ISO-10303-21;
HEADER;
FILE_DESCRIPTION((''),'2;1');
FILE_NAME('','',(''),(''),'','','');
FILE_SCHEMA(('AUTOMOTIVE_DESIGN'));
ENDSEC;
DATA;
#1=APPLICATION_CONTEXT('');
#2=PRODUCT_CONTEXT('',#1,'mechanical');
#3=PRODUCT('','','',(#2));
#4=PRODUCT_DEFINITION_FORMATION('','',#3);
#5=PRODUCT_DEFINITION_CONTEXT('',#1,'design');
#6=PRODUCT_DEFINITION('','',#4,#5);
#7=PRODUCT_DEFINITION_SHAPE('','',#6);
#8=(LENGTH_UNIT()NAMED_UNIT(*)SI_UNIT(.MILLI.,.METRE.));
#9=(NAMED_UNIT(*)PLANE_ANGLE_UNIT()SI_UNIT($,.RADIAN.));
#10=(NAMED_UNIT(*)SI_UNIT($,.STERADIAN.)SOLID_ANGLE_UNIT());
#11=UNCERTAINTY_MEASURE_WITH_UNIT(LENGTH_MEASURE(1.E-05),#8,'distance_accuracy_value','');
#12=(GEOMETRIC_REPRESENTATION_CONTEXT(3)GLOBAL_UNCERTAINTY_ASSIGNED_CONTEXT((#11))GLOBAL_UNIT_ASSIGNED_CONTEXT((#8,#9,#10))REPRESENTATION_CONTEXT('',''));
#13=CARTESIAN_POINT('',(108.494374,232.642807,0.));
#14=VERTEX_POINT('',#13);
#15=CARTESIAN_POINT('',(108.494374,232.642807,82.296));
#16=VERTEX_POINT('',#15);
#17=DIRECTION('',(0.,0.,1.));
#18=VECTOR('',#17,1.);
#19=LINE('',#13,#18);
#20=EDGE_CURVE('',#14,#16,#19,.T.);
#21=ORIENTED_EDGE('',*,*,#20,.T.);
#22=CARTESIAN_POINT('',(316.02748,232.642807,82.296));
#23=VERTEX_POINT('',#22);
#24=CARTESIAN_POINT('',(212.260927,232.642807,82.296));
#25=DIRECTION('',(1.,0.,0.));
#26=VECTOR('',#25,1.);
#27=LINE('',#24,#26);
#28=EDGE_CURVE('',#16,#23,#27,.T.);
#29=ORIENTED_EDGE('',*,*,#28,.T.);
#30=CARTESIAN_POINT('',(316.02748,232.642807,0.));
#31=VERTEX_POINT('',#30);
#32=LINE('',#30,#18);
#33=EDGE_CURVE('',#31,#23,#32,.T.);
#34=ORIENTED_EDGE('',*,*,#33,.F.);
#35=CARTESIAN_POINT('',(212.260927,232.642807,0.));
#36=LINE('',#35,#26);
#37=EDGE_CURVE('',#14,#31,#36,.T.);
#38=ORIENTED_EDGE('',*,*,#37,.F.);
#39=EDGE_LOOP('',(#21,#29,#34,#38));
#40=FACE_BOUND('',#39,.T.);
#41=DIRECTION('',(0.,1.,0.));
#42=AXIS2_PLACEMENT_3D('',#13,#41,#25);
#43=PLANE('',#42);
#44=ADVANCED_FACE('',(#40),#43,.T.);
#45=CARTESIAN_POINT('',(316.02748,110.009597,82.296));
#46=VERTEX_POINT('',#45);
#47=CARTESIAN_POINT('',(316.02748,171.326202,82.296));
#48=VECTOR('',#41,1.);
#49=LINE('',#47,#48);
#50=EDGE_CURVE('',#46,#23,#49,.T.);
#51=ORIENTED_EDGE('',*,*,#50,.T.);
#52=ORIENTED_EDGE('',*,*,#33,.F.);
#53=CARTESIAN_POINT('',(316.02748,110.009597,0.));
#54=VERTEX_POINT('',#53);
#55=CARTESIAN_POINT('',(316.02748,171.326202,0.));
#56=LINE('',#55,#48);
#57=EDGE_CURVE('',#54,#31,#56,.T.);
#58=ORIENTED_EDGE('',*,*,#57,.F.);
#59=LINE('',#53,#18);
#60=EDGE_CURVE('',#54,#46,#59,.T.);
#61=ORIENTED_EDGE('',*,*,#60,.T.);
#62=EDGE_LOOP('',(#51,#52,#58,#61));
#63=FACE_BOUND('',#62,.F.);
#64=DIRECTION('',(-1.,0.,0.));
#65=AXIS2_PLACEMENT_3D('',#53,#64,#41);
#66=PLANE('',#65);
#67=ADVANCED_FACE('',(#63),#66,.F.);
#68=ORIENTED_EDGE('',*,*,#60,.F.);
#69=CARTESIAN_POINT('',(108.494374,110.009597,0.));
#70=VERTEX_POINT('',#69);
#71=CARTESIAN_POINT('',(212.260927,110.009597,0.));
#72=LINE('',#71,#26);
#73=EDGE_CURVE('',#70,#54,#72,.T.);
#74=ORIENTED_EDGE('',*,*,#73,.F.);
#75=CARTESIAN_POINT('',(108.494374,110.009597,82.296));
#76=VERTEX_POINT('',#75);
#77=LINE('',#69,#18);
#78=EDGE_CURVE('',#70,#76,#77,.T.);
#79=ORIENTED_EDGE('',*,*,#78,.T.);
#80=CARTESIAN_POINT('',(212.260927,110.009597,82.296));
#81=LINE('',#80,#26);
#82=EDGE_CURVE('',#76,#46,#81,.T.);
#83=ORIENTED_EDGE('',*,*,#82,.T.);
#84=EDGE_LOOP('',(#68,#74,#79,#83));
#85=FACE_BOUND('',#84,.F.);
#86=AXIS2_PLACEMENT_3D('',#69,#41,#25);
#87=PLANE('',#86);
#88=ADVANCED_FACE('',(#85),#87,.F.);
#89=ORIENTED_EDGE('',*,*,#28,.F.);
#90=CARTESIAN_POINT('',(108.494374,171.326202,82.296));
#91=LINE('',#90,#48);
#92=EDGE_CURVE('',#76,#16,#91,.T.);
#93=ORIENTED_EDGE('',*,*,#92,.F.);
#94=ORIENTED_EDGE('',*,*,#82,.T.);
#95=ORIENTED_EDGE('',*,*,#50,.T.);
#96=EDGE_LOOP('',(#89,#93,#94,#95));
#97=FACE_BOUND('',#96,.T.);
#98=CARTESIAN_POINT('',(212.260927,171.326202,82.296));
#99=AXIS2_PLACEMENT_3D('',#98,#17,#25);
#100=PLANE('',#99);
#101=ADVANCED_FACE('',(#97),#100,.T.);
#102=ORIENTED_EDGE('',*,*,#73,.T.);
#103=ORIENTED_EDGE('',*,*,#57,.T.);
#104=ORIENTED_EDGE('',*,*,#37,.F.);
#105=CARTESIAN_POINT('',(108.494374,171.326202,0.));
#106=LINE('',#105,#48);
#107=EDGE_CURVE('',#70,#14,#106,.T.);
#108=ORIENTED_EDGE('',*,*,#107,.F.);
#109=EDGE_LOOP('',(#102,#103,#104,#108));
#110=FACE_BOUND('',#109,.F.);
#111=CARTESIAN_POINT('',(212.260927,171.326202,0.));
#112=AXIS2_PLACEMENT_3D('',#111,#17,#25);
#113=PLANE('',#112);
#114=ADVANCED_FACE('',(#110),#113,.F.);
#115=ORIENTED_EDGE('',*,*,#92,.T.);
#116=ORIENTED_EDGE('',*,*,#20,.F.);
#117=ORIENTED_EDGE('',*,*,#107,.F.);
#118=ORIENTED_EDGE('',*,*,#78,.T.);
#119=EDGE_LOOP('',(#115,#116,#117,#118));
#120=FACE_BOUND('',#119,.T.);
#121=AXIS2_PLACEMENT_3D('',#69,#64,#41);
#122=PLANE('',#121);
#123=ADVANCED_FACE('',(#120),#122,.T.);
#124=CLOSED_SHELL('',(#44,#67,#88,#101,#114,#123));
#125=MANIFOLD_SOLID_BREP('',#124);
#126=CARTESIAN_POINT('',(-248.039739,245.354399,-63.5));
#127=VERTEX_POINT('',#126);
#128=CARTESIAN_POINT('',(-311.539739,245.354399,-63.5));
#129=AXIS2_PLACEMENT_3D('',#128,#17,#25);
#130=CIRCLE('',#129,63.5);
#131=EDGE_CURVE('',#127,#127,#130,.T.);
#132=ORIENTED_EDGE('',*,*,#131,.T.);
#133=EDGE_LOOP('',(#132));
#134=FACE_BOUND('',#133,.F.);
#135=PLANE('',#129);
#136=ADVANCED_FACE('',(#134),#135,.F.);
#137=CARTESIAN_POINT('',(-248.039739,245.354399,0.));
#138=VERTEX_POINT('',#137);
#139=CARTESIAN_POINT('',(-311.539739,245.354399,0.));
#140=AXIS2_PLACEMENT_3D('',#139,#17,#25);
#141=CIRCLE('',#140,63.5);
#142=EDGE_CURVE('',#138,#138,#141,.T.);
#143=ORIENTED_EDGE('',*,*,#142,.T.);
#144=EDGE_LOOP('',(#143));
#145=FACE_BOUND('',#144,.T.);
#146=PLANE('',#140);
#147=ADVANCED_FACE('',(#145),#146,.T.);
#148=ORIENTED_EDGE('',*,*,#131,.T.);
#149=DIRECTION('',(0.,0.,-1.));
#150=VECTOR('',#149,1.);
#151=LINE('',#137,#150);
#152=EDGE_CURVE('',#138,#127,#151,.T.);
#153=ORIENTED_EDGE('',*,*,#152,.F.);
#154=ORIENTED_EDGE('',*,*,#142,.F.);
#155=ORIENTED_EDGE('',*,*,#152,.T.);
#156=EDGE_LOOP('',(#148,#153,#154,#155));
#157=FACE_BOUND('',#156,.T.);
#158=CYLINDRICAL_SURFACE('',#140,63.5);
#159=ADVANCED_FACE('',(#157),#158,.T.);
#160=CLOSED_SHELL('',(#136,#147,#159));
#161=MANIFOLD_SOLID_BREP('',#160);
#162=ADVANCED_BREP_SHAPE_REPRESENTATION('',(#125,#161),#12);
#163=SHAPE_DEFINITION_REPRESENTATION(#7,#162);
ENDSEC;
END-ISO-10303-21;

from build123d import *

# Parameters (mm, degrees)
F0_W     = 207.533106
F0_H     = 122.63321
F1_DEPTH = 82.296
F0_R     = 63.5
F2_DEPTH = 63.5


with BuildPart() as f1:
    # F0 (on Top) → F1 (new body)
    with BuildSketch(Plane.XY):
        with Locations((212.260927, 171.326202)):
            Rectangle(F0_W, F0_H)
    extrude(amount=F1_DEPTH)


with BuildPart() as f2:
    # F0 (on Top) → F2 (new body)
    with BuildSketch(Plane.XY):
        with Locations((-311.539739, 245.354399)):
            Circle(F0_R)
    extrude(amount=-F2_DEPTH)


solid = Compound([f1.part, f2.part])
